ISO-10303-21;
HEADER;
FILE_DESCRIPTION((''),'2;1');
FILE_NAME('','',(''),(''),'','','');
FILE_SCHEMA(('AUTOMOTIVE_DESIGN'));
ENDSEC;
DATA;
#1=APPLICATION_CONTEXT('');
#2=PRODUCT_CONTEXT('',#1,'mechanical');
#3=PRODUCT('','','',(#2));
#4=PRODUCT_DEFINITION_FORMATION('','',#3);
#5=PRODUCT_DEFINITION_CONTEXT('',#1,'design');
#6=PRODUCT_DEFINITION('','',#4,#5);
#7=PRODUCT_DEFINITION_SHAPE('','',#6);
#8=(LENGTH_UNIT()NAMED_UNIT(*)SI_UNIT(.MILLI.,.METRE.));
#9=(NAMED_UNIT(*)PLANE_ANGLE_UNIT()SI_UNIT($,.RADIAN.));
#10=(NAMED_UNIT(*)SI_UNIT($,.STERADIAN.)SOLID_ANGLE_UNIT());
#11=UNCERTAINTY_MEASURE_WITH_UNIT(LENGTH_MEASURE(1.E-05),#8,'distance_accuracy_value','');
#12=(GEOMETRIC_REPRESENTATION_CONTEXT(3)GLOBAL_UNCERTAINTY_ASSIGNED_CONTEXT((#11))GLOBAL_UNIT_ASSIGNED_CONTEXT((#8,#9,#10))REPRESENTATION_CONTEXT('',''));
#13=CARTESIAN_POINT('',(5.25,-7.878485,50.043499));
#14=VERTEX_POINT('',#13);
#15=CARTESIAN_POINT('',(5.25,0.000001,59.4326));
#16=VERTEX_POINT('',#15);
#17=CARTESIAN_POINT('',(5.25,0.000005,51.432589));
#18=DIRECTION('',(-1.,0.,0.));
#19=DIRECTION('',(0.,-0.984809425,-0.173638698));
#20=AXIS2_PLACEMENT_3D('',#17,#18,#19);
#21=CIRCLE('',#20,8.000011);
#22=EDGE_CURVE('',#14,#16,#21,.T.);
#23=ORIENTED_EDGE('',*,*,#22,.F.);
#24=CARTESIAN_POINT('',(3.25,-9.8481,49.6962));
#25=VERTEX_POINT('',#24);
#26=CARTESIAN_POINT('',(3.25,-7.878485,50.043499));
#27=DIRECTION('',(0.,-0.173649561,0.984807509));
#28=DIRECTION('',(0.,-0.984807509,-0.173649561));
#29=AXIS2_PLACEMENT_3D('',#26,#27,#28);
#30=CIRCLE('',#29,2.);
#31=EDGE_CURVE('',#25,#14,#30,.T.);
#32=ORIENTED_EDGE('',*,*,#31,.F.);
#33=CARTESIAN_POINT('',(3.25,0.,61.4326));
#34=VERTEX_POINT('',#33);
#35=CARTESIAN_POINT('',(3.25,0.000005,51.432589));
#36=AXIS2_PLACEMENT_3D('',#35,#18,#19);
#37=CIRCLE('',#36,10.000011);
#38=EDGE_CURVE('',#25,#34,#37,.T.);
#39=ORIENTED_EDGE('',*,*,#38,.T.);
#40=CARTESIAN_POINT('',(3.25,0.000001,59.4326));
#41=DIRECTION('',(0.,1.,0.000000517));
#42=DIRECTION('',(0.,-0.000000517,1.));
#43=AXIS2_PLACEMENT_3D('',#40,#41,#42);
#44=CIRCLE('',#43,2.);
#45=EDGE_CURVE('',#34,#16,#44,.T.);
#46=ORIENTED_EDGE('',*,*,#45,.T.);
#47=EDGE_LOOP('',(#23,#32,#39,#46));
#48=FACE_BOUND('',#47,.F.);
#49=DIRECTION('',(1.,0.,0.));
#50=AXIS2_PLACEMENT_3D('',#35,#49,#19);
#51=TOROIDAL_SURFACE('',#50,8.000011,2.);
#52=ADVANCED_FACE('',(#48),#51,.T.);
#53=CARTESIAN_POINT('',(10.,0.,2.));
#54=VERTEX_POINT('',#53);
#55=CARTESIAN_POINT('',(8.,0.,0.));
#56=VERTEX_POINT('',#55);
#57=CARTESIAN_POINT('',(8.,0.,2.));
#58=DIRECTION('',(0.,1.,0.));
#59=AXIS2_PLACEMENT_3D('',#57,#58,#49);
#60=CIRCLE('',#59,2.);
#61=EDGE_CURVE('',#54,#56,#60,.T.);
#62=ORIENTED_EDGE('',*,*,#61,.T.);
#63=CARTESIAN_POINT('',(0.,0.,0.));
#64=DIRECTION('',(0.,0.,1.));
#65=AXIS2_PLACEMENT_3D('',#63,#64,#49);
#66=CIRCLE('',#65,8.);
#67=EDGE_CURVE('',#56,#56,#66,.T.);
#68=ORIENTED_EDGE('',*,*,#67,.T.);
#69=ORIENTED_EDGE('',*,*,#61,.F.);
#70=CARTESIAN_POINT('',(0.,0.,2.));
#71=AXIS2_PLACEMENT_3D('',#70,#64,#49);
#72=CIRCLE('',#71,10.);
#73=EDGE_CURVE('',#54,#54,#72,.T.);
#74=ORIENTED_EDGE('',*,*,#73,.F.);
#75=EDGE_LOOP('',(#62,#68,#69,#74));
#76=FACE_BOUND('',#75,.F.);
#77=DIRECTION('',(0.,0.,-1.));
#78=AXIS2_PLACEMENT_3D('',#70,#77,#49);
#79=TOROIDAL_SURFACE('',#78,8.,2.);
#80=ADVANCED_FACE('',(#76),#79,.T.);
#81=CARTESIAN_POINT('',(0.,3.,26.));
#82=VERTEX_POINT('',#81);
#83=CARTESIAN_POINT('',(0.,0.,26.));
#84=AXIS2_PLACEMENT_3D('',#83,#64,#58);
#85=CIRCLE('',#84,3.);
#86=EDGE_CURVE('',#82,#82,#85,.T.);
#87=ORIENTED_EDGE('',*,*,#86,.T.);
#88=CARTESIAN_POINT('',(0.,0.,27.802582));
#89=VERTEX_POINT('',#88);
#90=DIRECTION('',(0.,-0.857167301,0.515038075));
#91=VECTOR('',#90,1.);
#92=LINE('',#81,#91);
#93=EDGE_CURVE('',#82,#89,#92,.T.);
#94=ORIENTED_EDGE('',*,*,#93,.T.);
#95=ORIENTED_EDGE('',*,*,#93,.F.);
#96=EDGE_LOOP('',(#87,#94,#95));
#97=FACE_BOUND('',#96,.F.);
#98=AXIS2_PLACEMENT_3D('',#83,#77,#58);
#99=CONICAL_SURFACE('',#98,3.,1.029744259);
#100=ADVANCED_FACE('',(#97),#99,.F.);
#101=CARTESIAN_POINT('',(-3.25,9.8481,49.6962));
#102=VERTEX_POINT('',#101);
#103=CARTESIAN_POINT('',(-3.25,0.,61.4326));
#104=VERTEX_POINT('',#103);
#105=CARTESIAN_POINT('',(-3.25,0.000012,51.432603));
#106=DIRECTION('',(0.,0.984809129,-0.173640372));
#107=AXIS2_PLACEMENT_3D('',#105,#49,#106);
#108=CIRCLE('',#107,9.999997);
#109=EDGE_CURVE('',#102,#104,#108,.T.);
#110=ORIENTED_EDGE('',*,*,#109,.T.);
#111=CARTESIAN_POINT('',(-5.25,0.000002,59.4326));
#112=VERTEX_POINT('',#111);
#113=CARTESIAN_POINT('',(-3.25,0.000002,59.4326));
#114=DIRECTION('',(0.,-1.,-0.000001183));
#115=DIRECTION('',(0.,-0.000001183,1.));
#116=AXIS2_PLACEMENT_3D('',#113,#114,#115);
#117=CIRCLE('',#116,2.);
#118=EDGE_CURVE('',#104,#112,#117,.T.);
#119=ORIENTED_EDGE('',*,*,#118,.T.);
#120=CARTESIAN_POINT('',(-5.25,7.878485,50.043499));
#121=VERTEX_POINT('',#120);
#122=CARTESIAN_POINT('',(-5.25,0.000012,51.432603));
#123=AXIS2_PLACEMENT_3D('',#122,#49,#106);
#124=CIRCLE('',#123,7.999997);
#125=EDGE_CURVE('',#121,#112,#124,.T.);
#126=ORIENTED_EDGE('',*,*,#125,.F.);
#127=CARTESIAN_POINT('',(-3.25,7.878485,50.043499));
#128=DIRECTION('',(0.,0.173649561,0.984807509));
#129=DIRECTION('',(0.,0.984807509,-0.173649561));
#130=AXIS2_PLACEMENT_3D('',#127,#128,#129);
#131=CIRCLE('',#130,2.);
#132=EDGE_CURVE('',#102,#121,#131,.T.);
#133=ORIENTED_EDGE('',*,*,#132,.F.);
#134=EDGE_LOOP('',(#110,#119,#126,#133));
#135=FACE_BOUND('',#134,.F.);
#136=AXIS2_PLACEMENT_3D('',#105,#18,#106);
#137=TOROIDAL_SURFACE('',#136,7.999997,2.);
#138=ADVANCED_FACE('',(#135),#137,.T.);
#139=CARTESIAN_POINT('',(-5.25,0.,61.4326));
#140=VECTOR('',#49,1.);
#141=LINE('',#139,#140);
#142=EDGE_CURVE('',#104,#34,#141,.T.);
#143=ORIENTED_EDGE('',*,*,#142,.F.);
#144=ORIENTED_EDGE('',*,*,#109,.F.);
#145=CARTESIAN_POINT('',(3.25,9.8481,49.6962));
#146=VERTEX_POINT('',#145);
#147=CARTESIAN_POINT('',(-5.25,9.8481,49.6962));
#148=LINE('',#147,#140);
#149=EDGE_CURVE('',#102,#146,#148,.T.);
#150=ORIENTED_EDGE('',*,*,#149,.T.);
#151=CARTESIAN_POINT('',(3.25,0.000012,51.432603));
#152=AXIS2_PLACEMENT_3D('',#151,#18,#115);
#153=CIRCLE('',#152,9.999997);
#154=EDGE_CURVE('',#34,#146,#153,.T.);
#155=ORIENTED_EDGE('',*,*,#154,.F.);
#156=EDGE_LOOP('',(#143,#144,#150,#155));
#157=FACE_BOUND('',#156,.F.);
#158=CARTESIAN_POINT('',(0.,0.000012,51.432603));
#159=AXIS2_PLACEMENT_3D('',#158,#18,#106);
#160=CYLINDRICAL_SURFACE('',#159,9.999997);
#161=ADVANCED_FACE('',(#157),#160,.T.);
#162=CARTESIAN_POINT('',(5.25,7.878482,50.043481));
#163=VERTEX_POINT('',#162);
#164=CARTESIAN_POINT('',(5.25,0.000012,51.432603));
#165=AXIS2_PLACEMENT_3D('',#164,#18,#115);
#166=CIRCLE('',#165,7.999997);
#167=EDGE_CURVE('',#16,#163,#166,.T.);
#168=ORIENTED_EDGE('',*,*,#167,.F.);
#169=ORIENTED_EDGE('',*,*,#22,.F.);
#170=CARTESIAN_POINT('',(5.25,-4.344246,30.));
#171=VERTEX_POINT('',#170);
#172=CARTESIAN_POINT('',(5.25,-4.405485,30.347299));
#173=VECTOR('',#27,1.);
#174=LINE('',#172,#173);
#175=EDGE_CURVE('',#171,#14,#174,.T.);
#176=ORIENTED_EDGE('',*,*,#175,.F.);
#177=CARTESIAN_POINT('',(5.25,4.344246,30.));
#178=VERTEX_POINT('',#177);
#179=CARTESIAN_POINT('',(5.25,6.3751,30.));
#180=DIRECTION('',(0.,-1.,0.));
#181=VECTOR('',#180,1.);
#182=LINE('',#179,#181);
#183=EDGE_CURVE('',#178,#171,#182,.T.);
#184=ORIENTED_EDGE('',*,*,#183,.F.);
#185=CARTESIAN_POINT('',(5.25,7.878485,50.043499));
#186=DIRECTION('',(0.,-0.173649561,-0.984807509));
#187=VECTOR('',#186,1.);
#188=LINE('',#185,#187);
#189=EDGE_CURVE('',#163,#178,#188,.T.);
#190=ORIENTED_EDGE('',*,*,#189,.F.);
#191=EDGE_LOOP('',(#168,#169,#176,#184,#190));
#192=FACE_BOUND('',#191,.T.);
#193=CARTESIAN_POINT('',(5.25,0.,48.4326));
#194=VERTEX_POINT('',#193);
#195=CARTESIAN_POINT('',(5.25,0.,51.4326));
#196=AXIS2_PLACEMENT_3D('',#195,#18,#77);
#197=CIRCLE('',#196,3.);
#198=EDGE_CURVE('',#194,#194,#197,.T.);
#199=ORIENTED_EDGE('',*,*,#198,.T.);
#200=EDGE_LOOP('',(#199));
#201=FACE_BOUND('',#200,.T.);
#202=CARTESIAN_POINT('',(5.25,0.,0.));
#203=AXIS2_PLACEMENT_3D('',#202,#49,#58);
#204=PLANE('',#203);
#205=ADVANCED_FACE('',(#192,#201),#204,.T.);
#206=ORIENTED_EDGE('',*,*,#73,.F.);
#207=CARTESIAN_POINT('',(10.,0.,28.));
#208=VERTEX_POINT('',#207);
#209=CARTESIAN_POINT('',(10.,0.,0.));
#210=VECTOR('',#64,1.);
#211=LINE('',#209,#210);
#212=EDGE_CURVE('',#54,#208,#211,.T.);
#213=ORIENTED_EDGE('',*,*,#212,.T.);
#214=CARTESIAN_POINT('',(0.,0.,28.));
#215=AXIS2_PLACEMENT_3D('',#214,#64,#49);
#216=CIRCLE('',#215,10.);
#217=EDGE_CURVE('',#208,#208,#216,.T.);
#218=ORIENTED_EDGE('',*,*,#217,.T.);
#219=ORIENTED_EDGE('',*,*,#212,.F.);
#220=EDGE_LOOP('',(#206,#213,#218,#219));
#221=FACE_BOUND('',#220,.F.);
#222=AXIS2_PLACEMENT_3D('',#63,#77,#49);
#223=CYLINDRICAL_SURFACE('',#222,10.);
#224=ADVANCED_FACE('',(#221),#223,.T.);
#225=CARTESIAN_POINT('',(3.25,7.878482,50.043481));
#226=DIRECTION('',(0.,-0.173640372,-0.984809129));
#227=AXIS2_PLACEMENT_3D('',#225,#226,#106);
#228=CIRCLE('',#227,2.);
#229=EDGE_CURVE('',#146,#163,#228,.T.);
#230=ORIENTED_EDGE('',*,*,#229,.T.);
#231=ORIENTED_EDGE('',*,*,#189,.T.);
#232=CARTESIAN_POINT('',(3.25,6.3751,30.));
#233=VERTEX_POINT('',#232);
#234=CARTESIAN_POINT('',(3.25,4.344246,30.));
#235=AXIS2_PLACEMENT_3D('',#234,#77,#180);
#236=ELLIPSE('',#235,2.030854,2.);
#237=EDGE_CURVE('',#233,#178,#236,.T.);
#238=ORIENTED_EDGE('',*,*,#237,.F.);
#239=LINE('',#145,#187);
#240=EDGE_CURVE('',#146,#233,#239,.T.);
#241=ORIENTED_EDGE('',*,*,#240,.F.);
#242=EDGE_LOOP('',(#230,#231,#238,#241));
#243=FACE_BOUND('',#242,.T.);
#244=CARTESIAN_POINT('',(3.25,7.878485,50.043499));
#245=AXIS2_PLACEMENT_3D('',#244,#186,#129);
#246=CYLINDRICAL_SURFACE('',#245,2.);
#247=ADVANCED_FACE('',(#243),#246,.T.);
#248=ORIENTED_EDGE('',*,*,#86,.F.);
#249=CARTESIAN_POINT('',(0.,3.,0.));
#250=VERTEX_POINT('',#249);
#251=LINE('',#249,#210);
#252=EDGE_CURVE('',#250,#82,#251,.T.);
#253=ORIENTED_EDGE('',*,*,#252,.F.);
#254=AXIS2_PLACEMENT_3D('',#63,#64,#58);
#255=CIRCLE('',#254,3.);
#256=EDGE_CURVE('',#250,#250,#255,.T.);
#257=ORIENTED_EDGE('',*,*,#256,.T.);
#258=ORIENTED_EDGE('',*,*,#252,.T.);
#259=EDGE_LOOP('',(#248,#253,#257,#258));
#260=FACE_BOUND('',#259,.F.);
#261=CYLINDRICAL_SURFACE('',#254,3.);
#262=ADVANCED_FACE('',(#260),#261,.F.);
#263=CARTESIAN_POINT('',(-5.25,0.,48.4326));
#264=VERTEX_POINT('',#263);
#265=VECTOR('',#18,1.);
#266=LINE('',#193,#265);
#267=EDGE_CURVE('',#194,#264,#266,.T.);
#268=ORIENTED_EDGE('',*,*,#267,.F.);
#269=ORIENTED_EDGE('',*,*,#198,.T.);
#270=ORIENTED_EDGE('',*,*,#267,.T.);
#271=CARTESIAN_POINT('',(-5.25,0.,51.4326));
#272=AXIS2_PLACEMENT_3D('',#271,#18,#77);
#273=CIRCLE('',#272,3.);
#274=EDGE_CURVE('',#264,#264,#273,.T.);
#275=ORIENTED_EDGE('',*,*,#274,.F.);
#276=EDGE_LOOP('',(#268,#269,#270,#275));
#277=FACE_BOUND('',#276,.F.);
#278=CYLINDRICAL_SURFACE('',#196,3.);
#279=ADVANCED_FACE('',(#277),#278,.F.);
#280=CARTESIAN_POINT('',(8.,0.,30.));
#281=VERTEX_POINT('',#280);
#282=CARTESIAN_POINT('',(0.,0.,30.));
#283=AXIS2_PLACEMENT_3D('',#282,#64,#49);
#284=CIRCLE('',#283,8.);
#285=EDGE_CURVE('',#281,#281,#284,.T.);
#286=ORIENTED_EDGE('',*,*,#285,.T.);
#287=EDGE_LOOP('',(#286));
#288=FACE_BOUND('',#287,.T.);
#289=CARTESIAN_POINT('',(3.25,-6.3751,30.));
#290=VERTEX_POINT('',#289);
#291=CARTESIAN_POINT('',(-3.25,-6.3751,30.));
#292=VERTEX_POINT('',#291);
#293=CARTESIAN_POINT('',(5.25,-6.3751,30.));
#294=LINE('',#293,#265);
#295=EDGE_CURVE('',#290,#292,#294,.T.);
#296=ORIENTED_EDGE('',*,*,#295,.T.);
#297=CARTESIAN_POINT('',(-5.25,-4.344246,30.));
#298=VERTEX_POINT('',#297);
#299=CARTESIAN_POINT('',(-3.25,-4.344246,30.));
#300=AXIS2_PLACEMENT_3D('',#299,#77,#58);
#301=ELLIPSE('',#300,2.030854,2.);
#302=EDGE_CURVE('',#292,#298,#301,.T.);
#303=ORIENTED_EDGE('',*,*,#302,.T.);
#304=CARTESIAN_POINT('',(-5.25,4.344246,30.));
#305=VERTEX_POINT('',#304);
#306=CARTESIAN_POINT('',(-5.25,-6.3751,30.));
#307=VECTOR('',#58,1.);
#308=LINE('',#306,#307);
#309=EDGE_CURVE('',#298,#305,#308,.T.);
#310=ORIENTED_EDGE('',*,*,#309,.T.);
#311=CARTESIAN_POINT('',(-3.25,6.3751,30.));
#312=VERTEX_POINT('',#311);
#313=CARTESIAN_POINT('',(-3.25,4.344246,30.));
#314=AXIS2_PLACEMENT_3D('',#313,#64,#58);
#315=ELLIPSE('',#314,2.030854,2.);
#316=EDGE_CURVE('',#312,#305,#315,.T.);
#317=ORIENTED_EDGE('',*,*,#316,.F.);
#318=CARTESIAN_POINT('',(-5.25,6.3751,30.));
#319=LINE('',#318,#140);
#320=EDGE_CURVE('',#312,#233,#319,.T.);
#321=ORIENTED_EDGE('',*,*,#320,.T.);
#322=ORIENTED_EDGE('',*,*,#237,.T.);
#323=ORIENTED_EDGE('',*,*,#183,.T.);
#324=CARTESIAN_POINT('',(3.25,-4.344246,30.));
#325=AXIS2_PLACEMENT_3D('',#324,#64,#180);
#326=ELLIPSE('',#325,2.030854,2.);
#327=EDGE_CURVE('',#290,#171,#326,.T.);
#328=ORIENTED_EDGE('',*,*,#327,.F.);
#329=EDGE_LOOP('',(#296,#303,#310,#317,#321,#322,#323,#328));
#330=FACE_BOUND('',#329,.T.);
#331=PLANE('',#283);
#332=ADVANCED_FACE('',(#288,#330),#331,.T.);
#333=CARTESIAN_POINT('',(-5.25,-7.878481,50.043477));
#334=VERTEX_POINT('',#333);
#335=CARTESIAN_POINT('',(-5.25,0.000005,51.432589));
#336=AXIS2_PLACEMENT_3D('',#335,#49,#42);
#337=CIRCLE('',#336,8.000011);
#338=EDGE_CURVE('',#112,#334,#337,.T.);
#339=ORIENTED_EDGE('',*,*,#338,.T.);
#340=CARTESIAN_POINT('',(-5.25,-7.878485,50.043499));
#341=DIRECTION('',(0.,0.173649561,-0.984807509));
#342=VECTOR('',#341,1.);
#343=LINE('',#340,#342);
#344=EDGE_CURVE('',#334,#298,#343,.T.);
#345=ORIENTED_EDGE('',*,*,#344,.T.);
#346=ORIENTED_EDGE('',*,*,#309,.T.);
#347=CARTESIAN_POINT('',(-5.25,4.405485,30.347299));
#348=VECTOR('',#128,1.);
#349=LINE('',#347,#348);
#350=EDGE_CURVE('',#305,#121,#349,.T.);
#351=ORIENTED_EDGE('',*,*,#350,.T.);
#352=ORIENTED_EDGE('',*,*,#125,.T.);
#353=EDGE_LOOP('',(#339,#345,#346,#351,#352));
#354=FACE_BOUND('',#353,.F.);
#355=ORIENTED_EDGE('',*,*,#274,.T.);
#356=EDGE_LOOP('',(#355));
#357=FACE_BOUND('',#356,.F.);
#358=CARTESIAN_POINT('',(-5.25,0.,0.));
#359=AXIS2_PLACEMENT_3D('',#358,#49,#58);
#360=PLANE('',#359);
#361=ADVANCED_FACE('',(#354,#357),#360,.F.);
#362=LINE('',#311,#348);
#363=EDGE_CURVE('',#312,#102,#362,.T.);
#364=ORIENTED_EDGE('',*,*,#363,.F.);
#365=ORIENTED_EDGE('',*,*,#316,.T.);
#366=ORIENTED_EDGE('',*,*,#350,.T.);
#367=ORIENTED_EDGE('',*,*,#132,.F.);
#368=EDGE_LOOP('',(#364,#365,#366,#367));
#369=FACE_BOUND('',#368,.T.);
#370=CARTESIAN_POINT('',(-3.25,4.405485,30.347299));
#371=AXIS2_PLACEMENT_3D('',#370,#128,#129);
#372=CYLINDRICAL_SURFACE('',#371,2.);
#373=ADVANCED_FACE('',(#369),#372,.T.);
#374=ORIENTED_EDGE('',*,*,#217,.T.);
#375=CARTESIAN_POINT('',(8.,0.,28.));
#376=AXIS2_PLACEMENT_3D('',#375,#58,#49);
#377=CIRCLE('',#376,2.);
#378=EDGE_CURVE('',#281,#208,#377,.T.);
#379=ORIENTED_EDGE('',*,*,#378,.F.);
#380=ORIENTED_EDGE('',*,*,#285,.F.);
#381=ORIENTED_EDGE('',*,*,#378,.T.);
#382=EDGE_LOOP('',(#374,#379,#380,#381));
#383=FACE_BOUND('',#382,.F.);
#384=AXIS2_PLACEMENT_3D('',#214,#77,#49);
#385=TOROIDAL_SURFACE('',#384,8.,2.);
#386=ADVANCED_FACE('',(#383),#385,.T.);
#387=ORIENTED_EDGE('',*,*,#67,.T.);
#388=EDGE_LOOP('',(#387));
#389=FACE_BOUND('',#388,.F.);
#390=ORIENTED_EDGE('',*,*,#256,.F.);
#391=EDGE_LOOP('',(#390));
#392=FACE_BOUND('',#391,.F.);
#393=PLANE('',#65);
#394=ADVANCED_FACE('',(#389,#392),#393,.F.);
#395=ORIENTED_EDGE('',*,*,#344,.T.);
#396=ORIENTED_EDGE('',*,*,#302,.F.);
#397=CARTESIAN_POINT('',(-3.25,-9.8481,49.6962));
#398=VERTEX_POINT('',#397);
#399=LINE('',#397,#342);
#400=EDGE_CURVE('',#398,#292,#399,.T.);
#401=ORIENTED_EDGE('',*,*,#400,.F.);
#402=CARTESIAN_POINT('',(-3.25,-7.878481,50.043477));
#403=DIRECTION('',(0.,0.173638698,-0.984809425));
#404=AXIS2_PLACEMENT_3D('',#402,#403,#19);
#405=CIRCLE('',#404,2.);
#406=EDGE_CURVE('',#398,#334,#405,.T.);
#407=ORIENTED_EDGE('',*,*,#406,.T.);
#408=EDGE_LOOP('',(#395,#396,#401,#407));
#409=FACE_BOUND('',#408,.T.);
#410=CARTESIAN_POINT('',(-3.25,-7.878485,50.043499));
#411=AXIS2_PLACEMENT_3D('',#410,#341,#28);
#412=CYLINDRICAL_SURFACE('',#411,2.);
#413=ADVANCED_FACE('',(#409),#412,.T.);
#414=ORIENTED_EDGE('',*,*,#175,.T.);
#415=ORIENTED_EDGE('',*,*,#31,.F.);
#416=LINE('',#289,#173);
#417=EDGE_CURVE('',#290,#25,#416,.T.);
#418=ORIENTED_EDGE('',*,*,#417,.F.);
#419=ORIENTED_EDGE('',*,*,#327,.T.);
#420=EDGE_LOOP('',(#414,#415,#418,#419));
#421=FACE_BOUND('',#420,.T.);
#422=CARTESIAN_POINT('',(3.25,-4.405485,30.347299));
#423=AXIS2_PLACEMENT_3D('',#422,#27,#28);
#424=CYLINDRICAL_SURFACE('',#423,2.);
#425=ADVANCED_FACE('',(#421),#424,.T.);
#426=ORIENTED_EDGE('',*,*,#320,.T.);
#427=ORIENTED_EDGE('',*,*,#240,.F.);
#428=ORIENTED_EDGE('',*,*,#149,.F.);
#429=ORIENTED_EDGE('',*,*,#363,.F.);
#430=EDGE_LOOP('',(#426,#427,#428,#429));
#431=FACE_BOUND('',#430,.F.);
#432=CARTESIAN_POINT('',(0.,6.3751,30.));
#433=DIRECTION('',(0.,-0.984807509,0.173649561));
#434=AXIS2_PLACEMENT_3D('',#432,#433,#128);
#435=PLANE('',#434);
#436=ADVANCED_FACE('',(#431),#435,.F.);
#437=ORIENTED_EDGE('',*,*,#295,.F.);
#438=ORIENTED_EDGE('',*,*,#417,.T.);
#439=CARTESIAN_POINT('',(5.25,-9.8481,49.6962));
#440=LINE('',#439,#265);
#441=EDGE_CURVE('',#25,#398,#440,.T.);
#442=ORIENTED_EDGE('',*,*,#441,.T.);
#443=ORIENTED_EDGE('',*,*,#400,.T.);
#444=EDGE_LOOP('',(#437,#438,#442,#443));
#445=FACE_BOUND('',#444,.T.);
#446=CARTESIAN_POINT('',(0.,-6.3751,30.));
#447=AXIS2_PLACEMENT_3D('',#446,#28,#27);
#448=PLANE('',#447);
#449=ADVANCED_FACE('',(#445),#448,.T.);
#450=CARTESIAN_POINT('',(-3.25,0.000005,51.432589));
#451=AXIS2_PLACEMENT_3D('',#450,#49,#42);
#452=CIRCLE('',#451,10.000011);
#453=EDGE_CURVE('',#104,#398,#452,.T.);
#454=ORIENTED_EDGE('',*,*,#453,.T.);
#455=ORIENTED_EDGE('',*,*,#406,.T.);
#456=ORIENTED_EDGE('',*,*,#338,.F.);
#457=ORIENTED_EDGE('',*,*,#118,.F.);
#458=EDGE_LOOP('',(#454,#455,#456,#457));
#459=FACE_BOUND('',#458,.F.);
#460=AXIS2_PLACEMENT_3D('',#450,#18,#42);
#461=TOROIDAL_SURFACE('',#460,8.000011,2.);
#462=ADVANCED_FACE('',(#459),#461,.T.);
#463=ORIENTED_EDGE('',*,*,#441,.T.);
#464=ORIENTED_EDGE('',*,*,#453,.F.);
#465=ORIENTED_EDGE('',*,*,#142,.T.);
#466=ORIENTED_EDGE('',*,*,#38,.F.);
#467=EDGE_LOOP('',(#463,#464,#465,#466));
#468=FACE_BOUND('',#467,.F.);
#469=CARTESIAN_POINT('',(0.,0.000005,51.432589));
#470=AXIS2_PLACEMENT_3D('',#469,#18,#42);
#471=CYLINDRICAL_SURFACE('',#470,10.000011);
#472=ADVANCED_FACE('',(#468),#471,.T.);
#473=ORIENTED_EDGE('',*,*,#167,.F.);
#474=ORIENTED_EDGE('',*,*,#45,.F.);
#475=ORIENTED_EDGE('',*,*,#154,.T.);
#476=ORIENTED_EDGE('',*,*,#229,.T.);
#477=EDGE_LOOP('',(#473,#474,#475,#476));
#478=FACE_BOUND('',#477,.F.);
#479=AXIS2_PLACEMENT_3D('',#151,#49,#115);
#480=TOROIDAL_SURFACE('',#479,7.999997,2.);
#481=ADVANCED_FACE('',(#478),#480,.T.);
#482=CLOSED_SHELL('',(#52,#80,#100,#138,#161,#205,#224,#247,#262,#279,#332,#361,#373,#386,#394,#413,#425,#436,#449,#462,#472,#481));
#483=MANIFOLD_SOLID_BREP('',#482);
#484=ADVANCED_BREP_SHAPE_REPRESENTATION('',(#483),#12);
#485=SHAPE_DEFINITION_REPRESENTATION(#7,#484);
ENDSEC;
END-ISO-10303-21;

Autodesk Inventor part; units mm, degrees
ref_plane "YZ Plane" through (0, 0, 0) normal (1, 0, 0) x (0, 1, 0)
ref_plane "XZ Plane" through (0, 0, 0) normal (0, 1, 0) x (-1, 0, 0)
ref_plane "XY Plane" through (0, 0, 0) normal (0, 0, 1) x (1, 0, 0)
sketch "Boceto1" plane through (0, 0, 0) normal (0, 0, 1) x (1, 0, 0)
  circle A0 centre (0, 0) radius 10
  dimension "d0" = 20
extrude "Extrusión1" add sketch "Boceto1" along normal blind 30
sketch "Boceto2" plane through (0, 0, 0) normal (1, 0, 0) x (0, 1, 0)
  line L0 (10, 30) -> (-10, 30) projected
  line L1 (-10, 0) -> (10, 0) projected
  line L2 (10, 30) -> (-10, 30) projected
  line L3 (6.3751, 30) -> (9.8481, 49.6962)
  arc A0 (9.8481, 49.6962) -> (0, 61.4326) centre (0, 51.4326) ccw
  line L4 (0, 73.9906) -> (0, 23.9809)
  line L5 (-6.3751, 30) -> (-9.8481, 49.6962)
  arc A1 (0, 61.4326) -> (-9.8481, 49.6962) centre (0, 51.4326) ccw
  line L6 (6.3751, 30) -> (-6.3751, 30)
  point P0 (0, 0)
  point P1 (0, 30)
  dimension "d3" = 10
  dimension "d4" = 20
  dimension "d5" = 100
extrude "Extrusión2" add sketch "Boceto2" along normal mid plane 10.5
hole "Agujero1" at (5.25, 0, 51.4326) direction (-1, 0, 0) diameter 6 end through all
hole "Agujero2" at (0, 0, 0) direction (0, 0, 1) diameter 6 depth 26 tip angle 118
fillet "Empalme1" radius 2 8 edges at (5.25, -8.1116, 39.8481) (5.25, 8.1116, 39.8481) (5.25, -7.6604, 57.8605) (-5.25, 8.1116, 39.8481) (-5.25, -8.1116, 39.8481) (-5.25, 7.6604, 57.8605) (-10, 0, 30) (-10, 0, 0)
properties part number "wheel_shock_end"
